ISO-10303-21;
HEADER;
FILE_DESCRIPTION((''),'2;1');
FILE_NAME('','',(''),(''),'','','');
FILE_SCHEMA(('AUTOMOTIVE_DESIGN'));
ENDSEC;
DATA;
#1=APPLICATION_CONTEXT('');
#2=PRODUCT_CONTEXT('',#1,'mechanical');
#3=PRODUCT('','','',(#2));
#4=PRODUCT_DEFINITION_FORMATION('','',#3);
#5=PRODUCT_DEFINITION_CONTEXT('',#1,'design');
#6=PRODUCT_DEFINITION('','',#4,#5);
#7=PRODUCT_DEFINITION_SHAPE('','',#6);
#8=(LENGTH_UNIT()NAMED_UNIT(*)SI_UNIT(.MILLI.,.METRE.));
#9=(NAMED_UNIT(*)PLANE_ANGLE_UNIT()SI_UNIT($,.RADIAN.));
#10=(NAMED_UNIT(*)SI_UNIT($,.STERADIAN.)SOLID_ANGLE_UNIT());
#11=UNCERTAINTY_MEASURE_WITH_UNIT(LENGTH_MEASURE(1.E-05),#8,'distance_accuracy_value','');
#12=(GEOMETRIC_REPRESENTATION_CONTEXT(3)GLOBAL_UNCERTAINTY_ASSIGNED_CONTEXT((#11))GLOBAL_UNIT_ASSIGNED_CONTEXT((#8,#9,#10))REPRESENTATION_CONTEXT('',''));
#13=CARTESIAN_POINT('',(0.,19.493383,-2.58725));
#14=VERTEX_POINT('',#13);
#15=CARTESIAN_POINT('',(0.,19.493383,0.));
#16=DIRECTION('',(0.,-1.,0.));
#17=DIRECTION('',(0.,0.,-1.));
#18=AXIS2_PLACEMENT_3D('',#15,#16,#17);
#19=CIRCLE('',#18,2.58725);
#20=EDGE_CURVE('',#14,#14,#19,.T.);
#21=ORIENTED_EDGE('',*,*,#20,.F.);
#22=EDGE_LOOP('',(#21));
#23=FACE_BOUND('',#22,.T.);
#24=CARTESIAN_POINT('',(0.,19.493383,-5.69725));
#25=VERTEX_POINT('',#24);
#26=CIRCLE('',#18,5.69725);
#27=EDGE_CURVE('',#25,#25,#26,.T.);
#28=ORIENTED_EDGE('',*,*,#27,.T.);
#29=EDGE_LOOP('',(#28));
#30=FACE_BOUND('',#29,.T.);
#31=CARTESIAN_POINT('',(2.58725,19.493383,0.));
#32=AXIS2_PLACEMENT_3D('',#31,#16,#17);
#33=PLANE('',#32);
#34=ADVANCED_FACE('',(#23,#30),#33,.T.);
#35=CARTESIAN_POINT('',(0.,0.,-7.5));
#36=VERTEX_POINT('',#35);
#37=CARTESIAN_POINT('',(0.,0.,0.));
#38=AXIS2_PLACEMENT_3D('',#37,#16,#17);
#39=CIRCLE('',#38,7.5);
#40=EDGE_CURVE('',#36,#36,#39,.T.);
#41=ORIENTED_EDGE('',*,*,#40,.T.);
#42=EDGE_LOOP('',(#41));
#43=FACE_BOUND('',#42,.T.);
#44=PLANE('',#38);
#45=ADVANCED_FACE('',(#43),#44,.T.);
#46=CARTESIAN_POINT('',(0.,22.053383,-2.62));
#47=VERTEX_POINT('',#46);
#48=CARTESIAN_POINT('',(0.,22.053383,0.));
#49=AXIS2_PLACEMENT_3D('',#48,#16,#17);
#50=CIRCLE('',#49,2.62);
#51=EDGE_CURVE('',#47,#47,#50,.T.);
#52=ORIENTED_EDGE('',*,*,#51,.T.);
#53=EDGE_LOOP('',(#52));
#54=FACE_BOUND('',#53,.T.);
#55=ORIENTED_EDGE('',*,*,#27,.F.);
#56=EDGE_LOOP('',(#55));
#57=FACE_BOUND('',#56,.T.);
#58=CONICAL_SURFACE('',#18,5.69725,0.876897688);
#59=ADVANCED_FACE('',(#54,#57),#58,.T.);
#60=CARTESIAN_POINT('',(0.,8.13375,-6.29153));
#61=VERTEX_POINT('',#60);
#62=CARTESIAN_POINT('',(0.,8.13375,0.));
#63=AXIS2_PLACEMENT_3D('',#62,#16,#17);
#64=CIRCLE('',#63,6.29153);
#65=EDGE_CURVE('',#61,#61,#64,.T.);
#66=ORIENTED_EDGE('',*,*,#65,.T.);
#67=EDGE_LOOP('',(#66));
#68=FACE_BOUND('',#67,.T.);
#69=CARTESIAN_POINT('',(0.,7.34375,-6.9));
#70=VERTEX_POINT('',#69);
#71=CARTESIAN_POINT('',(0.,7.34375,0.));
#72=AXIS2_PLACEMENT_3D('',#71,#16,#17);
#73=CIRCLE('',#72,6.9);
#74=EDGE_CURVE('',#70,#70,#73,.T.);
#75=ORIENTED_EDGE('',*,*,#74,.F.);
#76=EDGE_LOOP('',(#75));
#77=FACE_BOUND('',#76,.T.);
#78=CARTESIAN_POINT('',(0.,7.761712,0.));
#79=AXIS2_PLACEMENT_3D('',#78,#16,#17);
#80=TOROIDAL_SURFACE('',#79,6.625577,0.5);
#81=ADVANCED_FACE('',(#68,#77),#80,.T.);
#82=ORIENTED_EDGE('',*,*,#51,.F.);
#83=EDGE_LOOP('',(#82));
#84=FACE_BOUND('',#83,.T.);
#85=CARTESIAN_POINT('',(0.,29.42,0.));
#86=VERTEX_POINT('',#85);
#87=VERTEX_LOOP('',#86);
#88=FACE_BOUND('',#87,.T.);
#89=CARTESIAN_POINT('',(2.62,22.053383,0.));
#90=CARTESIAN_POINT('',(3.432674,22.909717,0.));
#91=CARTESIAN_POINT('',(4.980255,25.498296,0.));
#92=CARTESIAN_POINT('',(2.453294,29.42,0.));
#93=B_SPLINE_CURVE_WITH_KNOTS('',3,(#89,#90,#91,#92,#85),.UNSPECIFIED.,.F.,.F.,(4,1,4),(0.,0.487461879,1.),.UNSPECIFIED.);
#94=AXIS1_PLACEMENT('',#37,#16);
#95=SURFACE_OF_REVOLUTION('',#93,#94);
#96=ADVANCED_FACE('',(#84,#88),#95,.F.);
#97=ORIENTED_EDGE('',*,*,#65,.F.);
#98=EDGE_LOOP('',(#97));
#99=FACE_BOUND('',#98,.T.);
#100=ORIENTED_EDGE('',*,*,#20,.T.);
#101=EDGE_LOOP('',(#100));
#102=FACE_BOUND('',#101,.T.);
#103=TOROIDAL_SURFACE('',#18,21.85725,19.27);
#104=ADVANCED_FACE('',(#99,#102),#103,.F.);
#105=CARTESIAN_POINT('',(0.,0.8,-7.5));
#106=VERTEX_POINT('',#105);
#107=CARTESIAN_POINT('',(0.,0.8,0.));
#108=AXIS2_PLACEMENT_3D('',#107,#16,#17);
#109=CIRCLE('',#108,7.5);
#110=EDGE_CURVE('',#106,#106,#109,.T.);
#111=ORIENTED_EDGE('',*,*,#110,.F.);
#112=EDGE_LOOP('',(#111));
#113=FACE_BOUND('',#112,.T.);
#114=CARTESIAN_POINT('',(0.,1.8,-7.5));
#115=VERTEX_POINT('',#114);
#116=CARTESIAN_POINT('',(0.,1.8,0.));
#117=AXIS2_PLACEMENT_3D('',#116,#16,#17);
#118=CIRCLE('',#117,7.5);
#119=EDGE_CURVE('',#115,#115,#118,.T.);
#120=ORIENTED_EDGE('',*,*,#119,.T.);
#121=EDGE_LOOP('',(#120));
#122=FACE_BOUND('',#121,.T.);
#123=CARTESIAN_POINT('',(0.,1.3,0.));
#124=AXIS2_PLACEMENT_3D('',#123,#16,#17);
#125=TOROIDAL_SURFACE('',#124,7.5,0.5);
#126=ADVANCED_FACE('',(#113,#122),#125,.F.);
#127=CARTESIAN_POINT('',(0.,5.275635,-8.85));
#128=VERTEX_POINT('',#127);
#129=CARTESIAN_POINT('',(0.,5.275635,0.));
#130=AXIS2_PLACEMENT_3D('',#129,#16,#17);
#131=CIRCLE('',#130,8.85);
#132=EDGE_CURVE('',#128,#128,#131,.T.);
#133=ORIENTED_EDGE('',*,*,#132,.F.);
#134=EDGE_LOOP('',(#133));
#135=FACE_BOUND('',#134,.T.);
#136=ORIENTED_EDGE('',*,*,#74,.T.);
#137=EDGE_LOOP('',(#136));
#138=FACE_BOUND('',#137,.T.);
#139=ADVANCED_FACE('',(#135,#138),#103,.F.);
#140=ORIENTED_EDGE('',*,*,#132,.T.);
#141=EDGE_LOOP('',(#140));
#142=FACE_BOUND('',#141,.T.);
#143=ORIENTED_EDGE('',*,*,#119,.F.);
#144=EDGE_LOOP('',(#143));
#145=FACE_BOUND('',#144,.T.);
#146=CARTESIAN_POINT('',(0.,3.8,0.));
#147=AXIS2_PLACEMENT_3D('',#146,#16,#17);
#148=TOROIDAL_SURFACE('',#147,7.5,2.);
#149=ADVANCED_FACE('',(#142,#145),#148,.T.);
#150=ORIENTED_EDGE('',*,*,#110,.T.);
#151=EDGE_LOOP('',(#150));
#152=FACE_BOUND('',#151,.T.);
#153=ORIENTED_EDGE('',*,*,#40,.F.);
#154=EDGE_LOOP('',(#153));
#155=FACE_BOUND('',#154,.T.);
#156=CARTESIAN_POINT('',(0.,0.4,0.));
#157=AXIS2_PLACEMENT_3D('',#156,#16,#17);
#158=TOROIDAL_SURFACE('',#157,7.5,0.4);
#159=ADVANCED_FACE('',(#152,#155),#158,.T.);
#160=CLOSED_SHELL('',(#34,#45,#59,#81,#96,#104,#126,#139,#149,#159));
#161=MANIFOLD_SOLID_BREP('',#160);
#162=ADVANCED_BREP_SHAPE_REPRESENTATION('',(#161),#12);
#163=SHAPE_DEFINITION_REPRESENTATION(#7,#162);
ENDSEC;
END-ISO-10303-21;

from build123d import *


with BuildPart() as part:
    # Sketch2 → Revolve1 (revolve)
    with BuildSketch(Plane.XY):
        with BuildLine():
            Line((0, 0), (0, 29.42))
            add(Edge.make_bspline(
                [(0, 29.42), (2.453293537, 29.42), (4.980255298, 25.498296392), (3.432674118, 22.909717054), (2.62, 22.053383078)],
                knots=[0, 0, 0, 0, 0.512538121, 1, 1, 1, 1], degree=3))
            Line((2.62, 22.053383078), (5.69725, 19.493383078))
            Line((5.69725, 19.493383078), (2.58725, 19.493383078))
            ThreePointArc((2.58725, 19.493383078), (3.536710579, 13.519210722), (6.291529744, 8.133750473))
            ThreePointArc((6.291529744, 8.133750473), (7.021700209, 8.066812477), (6.9, 7.343750473))
            ThreePointArc((6.9, 7.343750473), (7.836815271, 6.273689057), (8.85, 5.275635456))
            ThreePointArc((8.85, 5.275635456), (9.364305623, 3.075869802), (7.5, 1.8))
            ThreePointArc((7.5, 1.8), (7, 1.3), (7.5, 0.8))
            ThreePointArc((7.5, 0.8), (7.9, 0.4), (7.5, 0))
            Line((7.5, 0), (0, 0))
        make_face()
    revolve(axis=Axis((0, 0, 0), (0, 1, 0)))


solid = part.part
